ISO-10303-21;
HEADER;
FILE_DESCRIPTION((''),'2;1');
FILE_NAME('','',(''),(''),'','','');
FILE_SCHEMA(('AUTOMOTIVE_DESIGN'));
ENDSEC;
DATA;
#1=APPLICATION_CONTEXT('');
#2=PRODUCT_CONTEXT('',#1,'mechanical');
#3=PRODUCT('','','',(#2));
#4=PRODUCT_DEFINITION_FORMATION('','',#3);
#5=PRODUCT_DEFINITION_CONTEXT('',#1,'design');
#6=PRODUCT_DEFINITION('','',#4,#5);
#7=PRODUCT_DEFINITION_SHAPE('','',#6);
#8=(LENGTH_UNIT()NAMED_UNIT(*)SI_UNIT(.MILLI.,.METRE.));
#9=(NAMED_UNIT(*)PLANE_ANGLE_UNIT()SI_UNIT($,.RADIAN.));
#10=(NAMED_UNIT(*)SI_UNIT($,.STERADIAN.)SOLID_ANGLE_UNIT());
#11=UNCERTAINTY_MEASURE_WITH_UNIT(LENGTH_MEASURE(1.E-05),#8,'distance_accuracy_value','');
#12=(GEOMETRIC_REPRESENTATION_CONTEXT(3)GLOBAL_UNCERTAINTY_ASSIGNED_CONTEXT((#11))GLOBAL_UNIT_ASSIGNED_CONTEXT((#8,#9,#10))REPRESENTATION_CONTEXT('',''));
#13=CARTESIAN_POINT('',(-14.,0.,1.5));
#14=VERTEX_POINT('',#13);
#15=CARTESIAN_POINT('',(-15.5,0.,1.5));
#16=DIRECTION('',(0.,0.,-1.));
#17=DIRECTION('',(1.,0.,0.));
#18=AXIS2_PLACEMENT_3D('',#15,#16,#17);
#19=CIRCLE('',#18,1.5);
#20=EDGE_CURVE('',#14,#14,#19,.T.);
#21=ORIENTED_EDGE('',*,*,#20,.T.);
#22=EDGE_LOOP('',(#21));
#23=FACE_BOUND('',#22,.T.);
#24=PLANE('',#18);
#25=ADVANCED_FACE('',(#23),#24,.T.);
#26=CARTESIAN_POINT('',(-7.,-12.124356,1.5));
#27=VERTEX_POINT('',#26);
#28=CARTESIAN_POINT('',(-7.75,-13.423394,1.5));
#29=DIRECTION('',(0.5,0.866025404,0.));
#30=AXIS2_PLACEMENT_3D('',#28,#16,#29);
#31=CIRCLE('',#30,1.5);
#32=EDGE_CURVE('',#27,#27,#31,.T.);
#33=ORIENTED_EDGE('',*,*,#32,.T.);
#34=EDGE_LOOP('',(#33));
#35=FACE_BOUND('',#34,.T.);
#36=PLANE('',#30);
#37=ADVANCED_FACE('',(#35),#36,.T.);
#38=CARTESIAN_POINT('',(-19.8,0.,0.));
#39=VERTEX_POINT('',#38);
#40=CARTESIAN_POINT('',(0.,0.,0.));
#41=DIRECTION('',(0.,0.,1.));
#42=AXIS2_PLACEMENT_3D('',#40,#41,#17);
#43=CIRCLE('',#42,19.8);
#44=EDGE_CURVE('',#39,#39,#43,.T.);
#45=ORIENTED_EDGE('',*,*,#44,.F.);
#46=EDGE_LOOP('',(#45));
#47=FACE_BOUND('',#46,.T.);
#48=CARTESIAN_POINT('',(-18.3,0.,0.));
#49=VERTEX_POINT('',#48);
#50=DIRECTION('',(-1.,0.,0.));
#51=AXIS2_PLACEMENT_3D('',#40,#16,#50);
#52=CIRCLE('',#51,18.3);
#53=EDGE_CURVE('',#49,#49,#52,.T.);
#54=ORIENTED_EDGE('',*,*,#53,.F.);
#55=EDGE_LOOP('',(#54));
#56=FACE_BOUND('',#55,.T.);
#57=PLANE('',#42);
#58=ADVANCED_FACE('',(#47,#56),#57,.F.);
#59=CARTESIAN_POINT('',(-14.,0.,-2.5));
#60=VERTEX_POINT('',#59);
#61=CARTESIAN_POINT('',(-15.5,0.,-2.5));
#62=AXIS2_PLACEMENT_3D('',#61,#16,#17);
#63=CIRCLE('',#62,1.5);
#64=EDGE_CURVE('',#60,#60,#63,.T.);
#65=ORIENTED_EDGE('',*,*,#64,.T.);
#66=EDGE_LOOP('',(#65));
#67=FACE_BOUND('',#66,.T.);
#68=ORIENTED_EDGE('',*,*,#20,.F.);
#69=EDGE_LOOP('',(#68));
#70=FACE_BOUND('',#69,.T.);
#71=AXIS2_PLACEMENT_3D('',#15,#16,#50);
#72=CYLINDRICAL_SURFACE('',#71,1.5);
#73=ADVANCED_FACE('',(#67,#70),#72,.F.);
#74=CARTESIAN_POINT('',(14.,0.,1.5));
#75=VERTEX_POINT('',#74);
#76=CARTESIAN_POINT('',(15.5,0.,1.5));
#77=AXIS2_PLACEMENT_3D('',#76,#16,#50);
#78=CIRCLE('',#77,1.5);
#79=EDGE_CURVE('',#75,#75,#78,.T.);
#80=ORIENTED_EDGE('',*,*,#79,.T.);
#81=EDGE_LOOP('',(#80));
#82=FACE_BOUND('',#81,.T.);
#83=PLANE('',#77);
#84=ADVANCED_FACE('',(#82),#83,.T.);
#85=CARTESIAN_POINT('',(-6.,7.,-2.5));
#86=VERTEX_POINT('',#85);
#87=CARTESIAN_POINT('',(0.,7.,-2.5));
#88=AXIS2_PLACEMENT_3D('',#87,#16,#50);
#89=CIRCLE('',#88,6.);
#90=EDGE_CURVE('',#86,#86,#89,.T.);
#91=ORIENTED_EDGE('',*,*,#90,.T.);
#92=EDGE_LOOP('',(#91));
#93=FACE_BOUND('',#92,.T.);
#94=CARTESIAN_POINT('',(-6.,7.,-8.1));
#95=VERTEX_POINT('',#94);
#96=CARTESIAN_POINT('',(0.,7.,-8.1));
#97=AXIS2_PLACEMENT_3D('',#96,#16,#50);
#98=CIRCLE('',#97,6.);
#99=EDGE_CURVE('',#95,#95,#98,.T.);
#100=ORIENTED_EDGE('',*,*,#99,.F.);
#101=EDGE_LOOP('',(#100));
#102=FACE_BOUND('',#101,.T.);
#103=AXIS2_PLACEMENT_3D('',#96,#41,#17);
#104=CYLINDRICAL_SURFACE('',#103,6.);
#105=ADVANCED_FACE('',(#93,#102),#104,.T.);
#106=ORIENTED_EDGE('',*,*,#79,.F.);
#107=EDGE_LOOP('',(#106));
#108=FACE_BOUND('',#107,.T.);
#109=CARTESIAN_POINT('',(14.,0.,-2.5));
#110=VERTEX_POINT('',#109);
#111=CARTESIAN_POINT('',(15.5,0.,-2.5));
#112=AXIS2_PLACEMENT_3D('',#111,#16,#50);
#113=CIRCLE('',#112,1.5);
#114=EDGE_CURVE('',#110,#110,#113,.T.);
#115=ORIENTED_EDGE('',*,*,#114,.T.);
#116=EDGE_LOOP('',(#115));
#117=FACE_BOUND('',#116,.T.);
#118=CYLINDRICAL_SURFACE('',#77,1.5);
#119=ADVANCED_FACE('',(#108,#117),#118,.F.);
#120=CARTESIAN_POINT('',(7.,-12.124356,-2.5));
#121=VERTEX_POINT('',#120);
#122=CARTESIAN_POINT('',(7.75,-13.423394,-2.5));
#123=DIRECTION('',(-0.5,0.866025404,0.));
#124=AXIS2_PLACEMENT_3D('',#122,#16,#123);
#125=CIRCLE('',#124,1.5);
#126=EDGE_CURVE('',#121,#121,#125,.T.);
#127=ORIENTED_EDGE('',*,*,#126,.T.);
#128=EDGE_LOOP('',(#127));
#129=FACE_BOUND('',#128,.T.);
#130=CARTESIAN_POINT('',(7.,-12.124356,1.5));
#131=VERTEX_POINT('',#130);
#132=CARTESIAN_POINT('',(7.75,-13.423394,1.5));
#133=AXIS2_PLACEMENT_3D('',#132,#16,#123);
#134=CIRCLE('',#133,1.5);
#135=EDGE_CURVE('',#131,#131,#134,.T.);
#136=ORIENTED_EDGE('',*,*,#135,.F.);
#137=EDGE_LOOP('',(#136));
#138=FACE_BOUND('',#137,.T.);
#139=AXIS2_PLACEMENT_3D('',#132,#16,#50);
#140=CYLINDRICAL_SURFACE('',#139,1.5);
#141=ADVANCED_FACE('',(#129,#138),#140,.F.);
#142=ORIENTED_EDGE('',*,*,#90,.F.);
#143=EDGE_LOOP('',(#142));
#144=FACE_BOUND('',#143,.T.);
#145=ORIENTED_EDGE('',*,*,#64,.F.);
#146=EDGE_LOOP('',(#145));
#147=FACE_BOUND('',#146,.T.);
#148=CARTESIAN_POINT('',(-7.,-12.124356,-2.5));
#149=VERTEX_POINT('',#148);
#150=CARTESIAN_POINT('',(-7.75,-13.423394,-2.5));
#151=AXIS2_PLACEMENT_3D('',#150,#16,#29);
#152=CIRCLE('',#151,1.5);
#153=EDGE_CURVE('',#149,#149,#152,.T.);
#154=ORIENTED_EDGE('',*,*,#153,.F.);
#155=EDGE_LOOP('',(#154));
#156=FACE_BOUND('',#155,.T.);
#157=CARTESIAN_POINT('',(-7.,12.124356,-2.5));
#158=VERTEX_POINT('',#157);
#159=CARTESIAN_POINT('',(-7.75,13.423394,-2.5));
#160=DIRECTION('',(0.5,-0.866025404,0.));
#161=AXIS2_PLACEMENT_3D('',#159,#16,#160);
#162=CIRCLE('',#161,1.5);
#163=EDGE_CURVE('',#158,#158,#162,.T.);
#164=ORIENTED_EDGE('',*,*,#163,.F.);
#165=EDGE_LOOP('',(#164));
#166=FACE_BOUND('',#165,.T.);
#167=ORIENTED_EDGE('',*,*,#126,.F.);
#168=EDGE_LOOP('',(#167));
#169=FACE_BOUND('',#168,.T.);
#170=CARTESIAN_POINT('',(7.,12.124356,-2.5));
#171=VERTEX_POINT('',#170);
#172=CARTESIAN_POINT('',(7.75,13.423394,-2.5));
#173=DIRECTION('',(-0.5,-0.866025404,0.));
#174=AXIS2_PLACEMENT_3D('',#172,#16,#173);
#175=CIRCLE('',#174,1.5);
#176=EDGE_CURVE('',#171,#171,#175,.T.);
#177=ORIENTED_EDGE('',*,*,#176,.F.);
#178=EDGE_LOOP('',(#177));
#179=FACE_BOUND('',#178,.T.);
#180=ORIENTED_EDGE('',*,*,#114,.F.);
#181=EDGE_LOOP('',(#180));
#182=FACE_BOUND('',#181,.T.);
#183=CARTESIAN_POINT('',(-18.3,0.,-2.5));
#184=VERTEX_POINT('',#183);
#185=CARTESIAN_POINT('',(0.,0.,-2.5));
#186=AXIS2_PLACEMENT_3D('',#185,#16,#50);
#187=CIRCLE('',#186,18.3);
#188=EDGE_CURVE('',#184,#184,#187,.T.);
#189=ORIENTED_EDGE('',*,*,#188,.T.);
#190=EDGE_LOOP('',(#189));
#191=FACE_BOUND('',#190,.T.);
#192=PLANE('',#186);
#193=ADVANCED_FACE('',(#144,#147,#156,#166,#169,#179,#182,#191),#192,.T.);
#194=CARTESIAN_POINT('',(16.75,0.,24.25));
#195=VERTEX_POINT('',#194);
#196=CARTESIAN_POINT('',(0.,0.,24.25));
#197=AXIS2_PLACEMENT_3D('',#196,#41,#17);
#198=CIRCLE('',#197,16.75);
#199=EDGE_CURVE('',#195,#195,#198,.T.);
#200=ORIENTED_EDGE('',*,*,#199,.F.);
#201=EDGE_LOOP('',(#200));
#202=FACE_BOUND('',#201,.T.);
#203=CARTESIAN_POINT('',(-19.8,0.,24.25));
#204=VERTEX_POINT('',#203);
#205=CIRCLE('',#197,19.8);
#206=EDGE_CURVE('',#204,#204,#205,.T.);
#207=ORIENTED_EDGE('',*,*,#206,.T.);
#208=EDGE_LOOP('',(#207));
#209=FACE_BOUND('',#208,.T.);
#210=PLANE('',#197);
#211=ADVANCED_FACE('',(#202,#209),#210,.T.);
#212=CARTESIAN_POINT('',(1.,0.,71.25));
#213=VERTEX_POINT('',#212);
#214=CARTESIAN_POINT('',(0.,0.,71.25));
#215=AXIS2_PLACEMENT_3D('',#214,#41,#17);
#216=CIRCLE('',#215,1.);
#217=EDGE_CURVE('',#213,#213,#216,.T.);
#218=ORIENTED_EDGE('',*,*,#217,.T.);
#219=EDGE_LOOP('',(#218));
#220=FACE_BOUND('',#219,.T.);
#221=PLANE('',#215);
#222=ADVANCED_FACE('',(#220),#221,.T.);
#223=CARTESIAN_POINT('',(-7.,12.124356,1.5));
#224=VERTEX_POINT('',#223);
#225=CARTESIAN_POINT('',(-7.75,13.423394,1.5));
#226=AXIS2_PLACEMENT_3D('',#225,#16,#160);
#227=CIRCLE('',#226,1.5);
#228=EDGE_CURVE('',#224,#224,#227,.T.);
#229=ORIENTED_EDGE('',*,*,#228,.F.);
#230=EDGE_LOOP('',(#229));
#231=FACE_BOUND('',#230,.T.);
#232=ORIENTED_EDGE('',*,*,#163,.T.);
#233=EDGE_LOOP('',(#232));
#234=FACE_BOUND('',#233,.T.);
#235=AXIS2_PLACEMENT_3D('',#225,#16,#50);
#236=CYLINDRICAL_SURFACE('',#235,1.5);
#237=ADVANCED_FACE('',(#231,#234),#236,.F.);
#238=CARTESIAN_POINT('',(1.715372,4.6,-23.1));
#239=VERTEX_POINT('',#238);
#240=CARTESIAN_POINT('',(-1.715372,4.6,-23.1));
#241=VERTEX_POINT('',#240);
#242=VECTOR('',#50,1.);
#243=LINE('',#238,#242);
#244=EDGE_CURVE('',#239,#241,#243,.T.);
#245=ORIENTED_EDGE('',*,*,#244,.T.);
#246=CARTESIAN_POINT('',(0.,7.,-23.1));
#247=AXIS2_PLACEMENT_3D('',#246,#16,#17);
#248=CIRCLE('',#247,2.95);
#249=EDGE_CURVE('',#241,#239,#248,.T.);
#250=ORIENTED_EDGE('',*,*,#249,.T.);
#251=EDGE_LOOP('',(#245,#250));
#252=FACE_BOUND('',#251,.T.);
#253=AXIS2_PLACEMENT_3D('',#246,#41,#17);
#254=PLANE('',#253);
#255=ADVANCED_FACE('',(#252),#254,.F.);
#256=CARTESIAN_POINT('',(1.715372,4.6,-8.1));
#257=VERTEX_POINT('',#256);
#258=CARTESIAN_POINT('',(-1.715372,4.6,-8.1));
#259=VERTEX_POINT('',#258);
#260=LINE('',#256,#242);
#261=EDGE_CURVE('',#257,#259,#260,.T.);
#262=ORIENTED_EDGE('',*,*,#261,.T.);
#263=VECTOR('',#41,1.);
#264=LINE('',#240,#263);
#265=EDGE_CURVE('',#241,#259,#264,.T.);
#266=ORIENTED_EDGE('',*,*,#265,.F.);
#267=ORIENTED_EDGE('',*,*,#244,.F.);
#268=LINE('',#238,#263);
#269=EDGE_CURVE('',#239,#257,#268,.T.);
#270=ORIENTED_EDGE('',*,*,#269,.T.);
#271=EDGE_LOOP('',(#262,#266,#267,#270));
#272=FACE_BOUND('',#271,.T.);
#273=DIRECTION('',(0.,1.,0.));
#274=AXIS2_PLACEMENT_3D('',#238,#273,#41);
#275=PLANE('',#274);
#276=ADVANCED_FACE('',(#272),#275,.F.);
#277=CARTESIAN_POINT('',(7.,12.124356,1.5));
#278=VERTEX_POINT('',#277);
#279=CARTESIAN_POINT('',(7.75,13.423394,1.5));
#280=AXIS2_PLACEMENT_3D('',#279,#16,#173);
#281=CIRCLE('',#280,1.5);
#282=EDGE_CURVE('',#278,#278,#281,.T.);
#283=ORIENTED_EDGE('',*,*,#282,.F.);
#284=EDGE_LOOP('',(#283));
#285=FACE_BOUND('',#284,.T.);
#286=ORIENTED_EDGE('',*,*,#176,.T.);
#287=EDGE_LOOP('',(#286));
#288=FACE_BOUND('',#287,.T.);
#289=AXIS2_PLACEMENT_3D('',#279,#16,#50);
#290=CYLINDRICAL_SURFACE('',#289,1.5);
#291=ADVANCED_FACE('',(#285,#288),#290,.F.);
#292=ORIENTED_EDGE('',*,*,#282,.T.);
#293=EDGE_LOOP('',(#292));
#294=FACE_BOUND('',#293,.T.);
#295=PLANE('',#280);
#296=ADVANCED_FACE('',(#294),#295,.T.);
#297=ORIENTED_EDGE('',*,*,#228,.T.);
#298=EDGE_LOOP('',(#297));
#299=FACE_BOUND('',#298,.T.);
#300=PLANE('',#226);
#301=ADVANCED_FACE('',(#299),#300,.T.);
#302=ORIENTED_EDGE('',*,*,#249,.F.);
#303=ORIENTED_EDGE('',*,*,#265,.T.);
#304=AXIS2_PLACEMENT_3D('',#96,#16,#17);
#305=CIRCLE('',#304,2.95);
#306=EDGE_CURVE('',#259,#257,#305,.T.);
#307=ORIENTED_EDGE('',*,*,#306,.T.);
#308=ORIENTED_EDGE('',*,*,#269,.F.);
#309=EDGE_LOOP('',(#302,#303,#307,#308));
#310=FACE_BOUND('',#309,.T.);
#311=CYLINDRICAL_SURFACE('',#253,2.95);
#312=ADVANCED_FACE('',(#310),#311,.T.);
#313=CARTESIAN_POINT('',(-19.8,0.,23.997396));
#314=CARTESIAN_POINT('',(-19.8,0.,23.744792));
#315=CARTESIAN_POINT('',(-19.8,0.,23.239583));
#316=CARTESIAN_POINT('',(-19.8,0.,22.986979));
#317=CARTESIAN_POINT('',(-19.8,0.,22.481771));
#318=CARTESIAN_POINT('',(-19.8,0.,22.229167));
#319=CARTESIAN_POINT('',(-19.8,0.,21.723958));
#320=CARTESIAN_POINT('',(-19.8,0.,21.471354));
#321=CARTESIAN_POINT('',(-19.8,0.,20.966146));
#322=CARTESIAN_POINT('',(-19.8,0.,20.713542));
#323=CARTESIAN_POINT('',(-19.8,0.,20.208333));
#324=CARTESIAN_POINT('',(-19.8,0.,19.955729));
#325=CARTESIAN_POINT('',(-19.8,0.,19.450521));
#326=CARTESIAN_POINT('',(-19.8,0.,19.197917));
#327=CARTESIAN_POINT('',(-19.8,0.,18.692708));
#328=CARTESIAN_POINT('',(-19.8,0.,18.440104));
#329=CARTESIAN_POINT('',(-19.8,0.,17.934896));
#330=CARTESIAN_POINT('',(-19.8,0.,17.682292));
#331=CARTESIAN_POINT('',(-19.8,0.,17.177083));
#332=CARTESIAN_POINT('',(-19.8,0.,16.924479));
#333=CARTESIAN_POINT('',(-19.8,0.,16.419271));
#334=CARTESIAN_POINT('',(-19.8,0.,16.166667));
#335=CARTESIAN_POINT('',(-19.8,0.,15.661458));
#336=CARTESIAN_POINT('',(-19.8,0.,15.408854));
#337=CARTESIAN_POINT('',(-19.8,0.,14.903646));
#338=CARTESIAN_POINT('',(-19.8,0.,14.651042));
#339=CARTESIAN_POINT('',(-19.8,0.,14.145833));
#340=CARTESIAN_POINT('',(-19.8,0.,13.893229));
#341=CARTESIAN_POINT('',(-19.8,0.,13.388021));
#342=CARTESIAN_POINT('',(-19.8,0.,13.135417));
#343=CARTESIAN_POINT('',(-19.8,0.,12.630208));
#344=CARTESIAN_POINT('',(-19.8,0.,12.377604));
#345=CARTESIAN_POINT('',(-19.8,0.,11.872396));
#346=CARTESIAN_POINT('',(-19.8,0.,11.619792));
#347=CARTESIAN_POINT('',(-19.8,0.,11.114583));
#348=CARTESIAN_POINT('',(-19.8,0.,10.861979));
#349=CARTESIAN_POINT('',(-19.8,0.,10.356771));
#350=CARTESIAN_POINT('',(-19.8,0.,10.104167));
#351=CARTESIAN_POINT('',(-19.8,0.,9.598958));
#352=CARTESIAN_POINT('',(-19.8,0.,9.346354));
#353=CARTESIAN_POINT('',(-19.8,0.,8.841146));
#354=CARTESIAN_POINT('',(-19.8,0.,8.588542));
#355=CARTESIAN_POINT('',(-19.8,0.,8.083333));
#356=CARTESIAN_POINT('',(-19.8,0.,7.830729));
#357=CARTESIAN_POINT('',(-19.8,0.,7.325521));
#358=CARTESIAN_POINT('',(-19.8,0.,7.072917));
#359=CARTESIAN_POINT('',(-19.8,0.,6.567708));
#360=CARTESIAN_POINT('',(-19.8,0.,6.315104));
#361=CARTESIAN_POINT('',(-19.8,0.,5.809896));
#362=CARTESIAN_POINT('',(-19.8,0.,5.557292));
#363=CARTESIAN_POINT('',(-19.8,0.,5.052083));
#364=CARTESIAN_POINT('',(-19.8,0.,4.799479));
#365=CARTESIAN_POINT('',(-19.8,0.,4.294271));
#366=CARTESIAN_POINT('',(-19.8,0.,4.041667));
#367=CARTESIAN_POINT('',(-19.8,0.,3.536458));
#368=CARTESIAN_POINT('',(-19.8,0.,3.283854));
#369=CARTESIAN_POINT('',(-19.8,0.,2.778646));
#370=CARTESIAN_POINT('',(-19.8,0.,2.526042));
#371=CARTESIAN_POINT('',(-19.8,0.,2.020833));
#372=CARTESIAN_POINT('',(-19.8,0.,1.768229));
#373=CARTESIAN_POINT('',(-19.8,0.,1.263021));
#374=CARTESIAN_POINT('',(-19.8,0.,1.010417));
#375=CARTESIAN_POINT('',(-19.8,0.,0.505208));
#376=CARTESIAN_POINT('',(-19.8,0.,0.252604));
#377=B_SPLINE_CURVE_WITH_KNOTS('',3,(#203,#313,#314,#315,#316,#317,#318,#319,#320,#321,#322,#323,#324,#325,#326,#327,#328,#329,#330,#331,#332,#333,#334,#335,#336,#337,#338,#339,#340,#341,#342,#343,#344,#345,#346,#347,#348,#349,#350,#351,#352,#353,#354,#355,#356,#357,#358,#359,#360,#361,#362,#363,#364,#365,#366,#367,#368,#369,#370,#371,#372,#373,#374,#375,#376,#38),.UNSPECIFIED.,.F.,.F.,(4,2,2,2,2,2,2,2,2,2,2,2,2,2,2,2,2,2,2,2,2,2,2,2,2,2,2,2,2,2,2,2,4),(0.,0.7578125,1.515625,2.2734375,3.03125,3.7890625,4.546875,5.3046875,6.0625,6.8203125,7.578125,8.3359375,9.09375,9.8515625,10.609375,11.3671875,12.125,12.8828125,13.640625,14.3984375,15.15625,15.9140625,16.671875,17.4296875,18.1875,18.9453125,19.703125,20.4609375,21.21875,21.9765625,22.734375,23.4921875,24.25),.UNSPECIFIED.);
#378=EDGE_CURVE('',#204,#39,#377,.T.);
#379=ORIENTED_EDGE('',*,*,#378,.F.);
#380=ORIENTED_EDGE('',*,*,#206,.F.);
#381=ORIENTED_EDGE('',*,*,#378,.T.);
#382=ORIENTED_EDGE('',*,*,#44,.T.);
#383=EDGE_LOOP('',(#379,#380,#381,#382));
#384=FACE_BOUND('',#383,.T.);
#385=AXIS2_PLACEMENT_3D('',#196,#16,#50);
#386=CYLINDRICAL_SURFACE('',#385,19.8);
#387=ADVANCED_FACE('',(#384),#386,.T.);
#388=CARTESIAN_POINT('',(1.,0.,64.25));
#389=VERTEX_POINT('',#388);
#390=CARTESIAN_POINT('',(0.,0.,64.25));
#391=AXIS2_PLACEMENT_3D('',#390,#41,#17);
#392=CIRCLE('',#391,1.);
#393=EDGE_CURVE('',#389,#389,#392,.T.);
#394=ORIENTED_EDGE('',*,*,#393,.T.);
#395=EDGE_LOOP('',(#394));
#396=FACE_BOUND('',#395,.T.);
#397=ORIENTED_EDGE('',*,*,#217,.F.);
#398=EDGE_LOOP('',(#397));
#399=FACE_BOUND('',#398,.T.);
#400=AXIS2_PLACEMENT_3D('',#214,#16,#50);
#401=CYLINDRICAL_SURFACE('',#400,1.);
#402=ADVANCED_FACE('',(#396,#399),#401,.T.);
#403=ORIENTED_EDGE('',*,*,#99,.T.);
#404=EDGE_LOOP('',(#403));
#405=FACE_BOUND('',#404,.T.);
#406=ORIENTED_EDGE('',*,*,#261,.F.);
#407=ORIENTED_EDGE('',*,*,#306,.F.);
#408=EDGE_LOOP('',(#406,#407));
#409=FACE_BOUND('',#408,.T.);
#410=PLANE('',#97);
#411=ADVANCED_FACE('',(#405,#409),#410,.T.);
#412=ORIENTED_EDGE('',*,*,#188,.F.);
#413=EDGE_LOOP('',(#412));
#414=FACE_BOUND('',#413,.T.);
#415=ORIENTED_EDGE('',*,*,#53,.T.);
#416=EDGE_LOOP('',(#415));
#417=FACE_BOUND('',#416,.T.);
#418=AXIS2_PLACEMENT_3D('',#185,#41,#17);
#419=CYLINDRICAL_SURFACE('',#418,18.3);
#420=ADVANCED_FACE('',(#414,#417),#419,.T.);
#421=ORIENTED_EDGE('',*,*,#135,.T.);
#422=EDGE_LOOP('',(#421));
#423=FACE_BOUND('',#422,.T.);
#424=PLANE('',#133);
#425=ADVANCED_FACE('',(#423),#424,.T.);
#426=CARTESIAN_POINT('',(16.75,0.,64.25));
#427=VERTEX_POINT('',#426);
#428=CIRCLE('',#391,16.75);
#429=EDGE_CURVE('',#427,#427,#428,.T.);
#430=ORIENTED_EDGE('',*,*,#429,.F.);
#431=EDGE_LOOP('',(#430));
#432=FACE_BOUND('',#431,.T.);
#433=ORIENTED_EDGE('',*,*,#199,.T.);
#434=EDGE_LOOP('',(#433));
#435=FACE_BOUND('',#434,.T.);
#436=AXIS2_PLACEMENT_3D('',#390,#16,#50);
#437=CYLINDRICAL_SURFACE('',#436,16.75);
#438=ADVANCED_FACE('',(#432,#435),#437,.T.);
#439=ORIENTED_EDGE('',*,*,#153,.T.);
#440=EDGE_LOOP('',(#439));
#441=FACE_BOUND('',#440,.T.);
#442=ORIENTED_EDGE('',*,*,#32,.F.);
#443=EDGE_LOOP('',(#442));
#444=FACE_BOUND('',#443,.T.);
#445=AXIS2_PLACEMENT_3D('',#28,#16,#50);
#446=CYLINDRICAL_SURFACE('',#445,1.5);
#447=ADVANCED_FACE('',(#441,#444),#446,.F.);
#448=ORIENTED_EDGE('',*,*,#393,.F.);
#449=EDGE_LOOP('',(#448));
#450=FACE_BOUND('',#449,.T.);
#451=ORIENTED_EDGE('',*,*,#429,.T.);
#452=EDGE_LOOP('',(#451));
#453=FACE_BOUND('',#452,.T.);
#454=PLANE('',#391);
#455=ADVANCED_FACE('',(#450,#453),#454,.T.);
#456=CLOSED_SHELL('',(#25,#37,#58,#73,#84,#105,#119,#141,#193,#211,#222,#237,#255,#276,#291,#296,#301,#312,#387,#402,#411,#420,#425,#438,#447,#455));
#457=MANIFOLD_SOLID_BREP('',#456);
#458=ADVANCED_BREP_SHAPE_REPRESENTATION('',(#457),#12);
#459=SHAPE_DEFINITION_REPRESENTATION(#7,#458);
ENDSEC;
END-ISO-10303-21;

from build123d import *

# Parameters (mm, degrees)
SKETCH1_R            = 19.8
GEARBOX_DEPTH        = 24.25
SKETCH2_R            = 16.75
MOTOR_DEPTH          = 40
SKETCH3_R            = 18.3
GEARBOX_LIP_DEPTH    = 2.5
SKETCH4_R            = 6
SHAFT_HUB_DEPTH      = 5.6
SHAFT_DEPTH          = 15
SKETCH6_R            = 1.5
MNT_SCREW_HOLE_DEPTH = 4
CIRPATTERN1_COUNT    = 6
SKETCH7_R            = 1
SENSORSHAFT_DEPTH    = 7


with BuildPart() as part:
    # Sketch1 → gearbox (new body)
    with BuildSketch(Plane.XY):
        with Locations(Location((0, 0, 0), (0, 0, 180))):
            Circle(SKETCH1_R)
    extrude(amount=GEARBOX_DEPTH)

    # Sketch2 → motor (add)
    with BuildSketch(Plane.XY.offset(24.25)):
        Circle(SKETCH2_R)
    extrude(amount=MOTOR_DEPTH)

    # Sketch3 → gearbox lip (add)
    with BuildSketch(Plane(origin=(0, 0, 0), x_dir=(-1, 0, 0), z_dir=(0, 0, -1))):
        Circle(SKETCH3_R)
    extrude(amount=GEARBOX_LIP_DEPTH)

    # Sketch4 → shaft hub (add)
    with BuildSketch(Plane(origin=(0, 0, -2.5), x_dir=(-1, 0, 0), z_dir=(0, 0, -1))):
        with Locations((0, 7)):
            Circle(SKETCH4_R)
    extrude(amount=SHAFT_HUB_DEPTH)

    # Sketch5 → shaft (add)
    with BuildSketch(Plane(origin=(0, 0, -8.1), x_dir=(-1, 0, 0), z_dir=(0, 0, -1))):
        with BuildLine():
            Line((-1.71537168, 4.6), (1.71537168, 4.6))
            ThreePointArc((1.71537168, 4.6), (0, 9.95), (-1.71537168, 4.6))
        make_face()
    extrude(amount=SHAFT_DEPTH)

    # Sketch6 → mnt screw hole (cut)
    with BuildSketch(Plane(origin=(0, 0, -2.5), x_dir=(-1, 0, 0), z_dir=(0, 0, -1))):
        with Locations((-15.5, 0)):
            Circle(SKETCH6_R)
    mnt_screw_hole = extrude(amount=-MNT_SCREW_HOLE_DEPTH, mode=Mode.SUBTRACT)

    # CirPattern1: mnt screw hole ×6 about axis
    cirpattern1_axis = Axis((0, 0, 0), (0, 0, 1))
    for i in range(1, CIRPATTERN1_COUNT):
        add(mnt_screw_hole.rotate(cirpattern1_axis, i * 360 / CIRPATTERN1_COUNT), mode=Mode.SUBTRACT)

    # Sketch7 → sensorshaft (add)
    with BuildSketch(Plane.XY.offset(64.25)):
        Circle(SKETCH7_R)
    extrude(amount=SENSORSHAFT_DEPTH)


solid = part.part
